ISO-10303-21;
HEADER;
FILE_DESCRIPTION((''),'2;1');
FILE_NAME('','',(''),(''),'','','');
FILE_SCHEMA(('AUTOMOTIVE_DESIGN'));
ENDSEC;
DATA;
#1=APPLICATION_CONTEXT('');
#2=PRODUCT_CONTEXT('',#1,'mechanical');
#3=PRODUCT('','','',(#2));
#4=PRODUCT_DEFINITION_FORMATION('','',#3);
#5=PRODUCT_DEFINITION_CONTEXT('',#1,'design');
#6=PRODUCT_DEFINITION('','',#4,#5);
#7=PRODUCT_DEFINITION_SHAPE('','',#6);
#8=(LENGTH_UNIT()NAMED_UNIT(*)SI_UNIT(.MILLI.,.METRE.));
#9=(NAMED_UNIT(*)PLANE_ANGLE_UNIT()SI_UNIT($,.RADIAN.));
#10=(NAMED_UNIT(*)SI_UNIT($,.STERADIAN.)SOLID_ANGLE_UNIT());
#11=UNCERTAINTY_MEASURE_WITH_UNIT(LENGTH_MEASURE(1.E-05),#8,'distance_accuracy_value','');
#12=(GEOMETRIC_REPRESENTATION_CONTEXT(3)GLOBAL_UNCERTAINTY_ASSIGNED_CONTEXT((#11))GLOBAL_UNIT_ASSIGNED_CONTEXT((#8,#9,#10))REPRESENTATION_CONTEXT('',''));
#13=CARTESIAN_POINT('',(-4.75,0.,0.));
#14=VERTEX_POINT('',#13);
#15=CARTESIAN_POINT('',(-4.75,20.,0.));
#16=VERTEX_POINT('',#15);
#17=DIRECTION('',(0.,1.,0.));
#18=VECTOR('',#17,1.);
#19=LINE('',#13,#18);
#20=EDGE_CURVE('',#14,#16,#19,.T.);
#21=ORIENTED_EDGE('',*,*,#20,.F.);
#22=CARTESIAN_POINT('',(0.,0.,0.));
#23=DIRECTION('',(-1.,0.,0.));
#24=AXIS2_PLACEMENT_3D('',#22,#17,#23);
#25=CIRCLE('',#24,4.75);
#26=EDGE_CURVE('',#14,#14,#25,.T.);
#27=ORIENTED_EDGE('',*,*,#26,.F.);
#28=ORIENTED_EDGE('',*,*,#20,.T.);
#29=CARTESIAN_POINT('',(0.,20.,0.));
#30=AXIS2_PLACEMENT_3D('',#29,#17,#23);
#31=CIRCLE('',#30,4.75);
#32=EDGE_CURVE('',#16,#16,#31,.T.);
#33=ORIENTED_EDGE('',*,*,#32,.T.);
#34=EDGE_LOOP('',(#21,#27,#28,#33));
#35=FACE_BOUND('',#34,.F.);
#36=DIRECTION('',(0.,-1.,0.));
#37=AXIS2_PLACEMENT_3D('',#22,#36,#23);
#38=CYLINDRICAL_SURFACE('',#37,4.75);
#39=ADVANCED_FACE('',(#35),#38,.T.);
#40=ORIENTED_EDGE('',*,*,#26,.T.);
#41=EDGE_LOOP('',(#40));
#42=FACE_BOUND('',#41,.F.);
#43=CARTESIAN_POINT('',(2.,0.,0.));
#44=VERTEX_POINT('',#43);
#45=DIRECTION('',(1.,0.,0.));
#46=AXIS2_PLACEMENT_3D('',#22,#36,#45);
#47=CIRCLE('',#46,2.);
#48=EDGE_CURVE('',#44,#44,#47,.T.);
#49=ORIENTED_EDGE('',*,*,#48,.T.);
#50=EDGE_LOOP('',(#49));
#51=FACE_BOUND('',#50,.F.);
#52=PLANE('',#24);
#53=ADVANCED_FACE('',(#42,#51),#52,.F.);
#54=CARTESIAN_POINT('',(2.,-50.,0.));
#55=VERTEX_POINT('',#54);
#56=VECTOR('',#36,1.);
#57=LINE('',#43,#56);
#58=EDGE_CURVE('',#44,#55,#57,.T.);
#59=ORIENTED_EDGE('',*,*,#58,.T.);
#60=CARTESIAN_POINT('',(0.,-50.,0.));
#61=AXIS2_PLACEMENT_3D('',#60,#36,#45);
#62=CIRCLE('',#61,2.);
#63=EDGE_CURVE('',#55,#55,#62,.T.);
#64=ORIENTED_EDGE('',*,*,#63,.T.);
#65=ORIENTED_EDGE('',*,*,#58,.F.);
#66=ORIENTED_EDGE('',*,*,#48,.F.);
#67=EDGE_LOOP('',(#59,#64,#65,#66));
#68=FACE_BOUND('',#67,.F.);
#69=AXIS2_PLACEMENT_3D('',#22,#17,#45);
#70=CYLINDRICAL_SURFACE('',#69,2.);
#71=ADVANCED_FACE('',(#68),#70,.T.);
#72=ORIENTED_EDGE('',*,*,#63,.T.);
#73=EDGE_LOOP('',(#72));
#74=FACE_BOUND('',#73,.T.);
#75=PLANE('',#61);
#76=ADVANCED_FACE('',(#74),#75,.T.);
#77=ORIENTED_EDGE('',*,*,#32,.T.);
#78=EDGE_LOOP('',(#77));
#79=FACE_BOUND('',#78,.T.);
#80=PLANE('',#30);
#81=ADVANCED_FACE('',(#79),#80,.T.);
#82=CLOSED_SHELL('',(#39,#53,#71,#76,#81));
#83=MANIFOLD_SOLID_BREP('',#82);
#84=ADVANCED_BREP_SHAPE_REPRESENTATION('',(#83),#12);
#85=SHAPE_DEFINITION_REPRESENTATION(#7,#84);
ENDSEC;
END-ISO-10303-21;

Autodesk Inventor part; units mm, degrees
ref_plane "YZ Plane" through (0, 0, 0) normal (1, 0, 0) x (0, 1, 0)
ref_plane "XZ Plane" through (0, 0, 0) normal (0, 1, 0) x (-1, 0, 0)
ref_plane "XY Plane" through (0, 0, 0) normal (0, 0, 1) x (1, 0, 0)
sketch "スケッチ1" plane through (0, 0, 0) normal (0, 1, 0) x (-1, 0, 0)
  circle A0 centre (0, 0) radius 4.75
  dimension "d0" = 9.5
extrude "押し出し1" add sketch "スケッチ1" along normal blind 20
sketch "スケッチ2" plane through (0, 0, 0) normal (0, -1, 0) x (1, 0, 0)
  circle A0 centre (0, 0) radius 2
  dimension "d3" = 4
extrude "押し出し2" add sketch "スケッチ2" along normal blind 50
properties part number "extend_axis"
